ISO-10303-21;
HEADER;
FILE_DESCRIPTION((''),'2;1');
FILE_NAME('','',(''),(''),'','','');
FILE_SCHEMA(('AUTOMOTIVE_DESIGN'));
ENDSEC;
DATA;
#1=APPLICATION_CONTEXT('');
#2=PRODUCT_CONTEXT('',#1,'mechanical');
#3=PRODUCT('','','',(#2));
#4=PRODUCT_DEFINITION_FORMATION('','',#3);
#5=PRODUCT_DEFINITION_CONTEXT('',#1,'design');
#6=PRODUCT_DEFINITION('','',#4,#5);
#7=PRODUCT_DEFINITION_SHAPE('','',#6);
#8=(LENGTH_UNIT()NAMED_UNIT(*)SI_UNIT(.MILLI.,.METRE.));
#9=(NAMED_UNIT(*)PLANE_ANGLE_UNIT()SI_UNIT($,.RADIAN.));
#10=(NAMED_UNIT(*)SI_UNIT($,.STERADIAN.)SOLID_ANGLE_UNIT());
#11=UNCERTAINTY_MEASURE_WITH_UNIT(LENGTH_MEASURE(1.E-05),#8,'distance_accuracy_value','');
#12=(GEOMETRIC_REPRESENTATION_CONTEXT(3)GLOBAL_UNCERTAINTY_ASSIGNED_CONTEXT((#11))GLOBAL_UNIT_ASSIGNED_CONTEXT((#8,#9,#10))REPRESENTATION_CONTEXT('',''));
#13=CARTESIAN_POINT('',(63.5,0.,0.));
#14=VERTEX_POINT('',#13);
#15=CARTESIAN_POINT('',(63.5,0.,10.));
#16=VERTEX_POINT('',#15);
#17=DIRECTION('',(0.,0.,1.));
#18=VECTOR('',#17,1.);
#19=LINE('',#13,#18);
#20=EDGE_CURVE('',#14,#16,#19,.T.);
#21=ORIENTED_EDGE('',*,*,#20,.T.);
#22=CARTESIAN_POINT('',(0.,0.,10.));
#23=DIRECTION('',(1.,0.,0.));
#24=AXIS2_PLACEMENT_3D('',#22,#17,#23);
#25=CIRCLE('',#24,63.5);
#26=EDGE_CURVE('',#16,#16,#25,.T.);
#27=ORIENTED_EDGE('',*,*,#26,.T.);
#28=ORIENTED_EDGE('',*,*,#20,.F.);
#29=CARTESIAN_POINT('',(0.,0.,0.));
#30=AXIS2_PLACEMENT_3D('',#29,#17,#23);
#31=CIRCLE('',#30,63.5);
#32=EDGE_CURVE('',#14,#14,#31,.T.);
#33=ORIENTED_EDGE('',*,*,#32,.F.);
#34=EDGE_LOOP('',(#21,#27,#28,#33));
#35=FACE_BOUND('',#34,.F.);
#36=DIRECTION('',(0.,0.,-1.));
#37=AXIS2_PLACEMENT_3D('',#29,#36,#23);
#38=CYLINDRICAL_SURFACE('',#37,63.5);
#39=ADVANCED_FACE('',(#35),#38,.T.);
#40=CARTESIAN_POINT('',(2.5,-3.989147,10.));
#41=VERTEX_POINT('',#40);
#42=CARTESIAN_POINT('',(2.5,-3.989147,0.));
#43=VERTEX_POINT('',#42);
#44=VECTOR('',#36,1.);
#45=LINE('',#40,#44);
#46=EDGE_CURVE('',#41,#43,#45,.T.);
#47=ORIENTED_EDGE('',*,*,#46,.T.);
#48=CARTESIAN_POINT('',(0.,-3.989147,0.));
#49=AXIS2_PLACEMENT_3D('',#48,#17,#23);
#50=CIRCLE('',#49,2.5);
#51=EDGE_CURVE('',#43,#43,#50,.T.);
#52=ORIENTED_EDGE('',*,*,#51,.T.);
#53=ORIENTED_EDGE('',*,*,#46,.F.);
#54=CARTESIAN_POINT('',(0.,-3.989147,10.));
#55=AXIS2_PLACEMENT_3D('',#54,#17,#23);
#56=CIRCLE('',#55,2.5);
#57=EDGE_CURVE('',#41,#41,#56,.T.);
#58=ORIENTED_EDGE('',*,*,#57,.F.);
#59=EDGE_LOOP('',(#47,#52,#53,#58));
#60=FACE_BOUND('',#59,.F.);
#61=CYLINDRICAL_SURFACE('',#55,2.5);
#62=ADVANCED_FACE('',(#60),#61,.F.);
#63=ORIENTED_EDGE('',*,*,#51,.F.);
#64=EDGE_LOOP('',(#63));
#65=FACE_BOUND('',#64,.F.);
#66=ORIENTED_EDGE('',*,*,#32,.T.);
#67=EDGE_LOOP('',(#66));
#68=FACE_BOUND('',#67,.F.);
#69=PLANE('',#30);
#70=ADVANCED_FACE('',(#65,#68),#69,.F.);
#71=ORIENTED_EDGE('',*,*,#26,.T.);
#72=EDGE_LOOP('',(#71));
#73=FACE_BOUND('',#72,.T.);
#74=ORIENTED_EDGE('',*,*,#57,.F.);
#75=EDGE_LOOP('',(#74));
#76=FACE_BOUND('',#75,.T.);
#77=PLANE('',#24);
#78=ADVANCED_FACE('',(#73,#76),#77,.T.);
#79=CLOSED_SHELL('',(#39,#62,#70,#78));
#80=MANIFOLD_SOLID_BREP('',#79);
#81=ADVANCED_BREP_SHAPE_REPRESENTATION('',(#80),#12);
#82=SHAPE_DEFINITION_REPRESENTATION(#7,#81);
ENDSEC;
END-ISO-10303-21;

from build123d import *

# Parameters (mm, degrees)
F0_R     = 63.5
F1_DEPTH = 10
F2_R     = 2.5
F3_DEPTH = 10.001


with BuildPart() as f1:
    # F0 (on Top) → F1 (new body)
    with BuildSketch(Plane.XY):
        Circle(F0_R)
    extrude(amount=F1_DEPTH)

    # F2 (on face) → F3 (cut, through all)
    with BuildSketch(Plane.XY.offset(10)):
        with Locations((0, -3.989147)):
            Circle(F2_R)
    extrude(amount=-F3_DEPTH, mode=Mode.SUBTRACT)


solid = f1.part
